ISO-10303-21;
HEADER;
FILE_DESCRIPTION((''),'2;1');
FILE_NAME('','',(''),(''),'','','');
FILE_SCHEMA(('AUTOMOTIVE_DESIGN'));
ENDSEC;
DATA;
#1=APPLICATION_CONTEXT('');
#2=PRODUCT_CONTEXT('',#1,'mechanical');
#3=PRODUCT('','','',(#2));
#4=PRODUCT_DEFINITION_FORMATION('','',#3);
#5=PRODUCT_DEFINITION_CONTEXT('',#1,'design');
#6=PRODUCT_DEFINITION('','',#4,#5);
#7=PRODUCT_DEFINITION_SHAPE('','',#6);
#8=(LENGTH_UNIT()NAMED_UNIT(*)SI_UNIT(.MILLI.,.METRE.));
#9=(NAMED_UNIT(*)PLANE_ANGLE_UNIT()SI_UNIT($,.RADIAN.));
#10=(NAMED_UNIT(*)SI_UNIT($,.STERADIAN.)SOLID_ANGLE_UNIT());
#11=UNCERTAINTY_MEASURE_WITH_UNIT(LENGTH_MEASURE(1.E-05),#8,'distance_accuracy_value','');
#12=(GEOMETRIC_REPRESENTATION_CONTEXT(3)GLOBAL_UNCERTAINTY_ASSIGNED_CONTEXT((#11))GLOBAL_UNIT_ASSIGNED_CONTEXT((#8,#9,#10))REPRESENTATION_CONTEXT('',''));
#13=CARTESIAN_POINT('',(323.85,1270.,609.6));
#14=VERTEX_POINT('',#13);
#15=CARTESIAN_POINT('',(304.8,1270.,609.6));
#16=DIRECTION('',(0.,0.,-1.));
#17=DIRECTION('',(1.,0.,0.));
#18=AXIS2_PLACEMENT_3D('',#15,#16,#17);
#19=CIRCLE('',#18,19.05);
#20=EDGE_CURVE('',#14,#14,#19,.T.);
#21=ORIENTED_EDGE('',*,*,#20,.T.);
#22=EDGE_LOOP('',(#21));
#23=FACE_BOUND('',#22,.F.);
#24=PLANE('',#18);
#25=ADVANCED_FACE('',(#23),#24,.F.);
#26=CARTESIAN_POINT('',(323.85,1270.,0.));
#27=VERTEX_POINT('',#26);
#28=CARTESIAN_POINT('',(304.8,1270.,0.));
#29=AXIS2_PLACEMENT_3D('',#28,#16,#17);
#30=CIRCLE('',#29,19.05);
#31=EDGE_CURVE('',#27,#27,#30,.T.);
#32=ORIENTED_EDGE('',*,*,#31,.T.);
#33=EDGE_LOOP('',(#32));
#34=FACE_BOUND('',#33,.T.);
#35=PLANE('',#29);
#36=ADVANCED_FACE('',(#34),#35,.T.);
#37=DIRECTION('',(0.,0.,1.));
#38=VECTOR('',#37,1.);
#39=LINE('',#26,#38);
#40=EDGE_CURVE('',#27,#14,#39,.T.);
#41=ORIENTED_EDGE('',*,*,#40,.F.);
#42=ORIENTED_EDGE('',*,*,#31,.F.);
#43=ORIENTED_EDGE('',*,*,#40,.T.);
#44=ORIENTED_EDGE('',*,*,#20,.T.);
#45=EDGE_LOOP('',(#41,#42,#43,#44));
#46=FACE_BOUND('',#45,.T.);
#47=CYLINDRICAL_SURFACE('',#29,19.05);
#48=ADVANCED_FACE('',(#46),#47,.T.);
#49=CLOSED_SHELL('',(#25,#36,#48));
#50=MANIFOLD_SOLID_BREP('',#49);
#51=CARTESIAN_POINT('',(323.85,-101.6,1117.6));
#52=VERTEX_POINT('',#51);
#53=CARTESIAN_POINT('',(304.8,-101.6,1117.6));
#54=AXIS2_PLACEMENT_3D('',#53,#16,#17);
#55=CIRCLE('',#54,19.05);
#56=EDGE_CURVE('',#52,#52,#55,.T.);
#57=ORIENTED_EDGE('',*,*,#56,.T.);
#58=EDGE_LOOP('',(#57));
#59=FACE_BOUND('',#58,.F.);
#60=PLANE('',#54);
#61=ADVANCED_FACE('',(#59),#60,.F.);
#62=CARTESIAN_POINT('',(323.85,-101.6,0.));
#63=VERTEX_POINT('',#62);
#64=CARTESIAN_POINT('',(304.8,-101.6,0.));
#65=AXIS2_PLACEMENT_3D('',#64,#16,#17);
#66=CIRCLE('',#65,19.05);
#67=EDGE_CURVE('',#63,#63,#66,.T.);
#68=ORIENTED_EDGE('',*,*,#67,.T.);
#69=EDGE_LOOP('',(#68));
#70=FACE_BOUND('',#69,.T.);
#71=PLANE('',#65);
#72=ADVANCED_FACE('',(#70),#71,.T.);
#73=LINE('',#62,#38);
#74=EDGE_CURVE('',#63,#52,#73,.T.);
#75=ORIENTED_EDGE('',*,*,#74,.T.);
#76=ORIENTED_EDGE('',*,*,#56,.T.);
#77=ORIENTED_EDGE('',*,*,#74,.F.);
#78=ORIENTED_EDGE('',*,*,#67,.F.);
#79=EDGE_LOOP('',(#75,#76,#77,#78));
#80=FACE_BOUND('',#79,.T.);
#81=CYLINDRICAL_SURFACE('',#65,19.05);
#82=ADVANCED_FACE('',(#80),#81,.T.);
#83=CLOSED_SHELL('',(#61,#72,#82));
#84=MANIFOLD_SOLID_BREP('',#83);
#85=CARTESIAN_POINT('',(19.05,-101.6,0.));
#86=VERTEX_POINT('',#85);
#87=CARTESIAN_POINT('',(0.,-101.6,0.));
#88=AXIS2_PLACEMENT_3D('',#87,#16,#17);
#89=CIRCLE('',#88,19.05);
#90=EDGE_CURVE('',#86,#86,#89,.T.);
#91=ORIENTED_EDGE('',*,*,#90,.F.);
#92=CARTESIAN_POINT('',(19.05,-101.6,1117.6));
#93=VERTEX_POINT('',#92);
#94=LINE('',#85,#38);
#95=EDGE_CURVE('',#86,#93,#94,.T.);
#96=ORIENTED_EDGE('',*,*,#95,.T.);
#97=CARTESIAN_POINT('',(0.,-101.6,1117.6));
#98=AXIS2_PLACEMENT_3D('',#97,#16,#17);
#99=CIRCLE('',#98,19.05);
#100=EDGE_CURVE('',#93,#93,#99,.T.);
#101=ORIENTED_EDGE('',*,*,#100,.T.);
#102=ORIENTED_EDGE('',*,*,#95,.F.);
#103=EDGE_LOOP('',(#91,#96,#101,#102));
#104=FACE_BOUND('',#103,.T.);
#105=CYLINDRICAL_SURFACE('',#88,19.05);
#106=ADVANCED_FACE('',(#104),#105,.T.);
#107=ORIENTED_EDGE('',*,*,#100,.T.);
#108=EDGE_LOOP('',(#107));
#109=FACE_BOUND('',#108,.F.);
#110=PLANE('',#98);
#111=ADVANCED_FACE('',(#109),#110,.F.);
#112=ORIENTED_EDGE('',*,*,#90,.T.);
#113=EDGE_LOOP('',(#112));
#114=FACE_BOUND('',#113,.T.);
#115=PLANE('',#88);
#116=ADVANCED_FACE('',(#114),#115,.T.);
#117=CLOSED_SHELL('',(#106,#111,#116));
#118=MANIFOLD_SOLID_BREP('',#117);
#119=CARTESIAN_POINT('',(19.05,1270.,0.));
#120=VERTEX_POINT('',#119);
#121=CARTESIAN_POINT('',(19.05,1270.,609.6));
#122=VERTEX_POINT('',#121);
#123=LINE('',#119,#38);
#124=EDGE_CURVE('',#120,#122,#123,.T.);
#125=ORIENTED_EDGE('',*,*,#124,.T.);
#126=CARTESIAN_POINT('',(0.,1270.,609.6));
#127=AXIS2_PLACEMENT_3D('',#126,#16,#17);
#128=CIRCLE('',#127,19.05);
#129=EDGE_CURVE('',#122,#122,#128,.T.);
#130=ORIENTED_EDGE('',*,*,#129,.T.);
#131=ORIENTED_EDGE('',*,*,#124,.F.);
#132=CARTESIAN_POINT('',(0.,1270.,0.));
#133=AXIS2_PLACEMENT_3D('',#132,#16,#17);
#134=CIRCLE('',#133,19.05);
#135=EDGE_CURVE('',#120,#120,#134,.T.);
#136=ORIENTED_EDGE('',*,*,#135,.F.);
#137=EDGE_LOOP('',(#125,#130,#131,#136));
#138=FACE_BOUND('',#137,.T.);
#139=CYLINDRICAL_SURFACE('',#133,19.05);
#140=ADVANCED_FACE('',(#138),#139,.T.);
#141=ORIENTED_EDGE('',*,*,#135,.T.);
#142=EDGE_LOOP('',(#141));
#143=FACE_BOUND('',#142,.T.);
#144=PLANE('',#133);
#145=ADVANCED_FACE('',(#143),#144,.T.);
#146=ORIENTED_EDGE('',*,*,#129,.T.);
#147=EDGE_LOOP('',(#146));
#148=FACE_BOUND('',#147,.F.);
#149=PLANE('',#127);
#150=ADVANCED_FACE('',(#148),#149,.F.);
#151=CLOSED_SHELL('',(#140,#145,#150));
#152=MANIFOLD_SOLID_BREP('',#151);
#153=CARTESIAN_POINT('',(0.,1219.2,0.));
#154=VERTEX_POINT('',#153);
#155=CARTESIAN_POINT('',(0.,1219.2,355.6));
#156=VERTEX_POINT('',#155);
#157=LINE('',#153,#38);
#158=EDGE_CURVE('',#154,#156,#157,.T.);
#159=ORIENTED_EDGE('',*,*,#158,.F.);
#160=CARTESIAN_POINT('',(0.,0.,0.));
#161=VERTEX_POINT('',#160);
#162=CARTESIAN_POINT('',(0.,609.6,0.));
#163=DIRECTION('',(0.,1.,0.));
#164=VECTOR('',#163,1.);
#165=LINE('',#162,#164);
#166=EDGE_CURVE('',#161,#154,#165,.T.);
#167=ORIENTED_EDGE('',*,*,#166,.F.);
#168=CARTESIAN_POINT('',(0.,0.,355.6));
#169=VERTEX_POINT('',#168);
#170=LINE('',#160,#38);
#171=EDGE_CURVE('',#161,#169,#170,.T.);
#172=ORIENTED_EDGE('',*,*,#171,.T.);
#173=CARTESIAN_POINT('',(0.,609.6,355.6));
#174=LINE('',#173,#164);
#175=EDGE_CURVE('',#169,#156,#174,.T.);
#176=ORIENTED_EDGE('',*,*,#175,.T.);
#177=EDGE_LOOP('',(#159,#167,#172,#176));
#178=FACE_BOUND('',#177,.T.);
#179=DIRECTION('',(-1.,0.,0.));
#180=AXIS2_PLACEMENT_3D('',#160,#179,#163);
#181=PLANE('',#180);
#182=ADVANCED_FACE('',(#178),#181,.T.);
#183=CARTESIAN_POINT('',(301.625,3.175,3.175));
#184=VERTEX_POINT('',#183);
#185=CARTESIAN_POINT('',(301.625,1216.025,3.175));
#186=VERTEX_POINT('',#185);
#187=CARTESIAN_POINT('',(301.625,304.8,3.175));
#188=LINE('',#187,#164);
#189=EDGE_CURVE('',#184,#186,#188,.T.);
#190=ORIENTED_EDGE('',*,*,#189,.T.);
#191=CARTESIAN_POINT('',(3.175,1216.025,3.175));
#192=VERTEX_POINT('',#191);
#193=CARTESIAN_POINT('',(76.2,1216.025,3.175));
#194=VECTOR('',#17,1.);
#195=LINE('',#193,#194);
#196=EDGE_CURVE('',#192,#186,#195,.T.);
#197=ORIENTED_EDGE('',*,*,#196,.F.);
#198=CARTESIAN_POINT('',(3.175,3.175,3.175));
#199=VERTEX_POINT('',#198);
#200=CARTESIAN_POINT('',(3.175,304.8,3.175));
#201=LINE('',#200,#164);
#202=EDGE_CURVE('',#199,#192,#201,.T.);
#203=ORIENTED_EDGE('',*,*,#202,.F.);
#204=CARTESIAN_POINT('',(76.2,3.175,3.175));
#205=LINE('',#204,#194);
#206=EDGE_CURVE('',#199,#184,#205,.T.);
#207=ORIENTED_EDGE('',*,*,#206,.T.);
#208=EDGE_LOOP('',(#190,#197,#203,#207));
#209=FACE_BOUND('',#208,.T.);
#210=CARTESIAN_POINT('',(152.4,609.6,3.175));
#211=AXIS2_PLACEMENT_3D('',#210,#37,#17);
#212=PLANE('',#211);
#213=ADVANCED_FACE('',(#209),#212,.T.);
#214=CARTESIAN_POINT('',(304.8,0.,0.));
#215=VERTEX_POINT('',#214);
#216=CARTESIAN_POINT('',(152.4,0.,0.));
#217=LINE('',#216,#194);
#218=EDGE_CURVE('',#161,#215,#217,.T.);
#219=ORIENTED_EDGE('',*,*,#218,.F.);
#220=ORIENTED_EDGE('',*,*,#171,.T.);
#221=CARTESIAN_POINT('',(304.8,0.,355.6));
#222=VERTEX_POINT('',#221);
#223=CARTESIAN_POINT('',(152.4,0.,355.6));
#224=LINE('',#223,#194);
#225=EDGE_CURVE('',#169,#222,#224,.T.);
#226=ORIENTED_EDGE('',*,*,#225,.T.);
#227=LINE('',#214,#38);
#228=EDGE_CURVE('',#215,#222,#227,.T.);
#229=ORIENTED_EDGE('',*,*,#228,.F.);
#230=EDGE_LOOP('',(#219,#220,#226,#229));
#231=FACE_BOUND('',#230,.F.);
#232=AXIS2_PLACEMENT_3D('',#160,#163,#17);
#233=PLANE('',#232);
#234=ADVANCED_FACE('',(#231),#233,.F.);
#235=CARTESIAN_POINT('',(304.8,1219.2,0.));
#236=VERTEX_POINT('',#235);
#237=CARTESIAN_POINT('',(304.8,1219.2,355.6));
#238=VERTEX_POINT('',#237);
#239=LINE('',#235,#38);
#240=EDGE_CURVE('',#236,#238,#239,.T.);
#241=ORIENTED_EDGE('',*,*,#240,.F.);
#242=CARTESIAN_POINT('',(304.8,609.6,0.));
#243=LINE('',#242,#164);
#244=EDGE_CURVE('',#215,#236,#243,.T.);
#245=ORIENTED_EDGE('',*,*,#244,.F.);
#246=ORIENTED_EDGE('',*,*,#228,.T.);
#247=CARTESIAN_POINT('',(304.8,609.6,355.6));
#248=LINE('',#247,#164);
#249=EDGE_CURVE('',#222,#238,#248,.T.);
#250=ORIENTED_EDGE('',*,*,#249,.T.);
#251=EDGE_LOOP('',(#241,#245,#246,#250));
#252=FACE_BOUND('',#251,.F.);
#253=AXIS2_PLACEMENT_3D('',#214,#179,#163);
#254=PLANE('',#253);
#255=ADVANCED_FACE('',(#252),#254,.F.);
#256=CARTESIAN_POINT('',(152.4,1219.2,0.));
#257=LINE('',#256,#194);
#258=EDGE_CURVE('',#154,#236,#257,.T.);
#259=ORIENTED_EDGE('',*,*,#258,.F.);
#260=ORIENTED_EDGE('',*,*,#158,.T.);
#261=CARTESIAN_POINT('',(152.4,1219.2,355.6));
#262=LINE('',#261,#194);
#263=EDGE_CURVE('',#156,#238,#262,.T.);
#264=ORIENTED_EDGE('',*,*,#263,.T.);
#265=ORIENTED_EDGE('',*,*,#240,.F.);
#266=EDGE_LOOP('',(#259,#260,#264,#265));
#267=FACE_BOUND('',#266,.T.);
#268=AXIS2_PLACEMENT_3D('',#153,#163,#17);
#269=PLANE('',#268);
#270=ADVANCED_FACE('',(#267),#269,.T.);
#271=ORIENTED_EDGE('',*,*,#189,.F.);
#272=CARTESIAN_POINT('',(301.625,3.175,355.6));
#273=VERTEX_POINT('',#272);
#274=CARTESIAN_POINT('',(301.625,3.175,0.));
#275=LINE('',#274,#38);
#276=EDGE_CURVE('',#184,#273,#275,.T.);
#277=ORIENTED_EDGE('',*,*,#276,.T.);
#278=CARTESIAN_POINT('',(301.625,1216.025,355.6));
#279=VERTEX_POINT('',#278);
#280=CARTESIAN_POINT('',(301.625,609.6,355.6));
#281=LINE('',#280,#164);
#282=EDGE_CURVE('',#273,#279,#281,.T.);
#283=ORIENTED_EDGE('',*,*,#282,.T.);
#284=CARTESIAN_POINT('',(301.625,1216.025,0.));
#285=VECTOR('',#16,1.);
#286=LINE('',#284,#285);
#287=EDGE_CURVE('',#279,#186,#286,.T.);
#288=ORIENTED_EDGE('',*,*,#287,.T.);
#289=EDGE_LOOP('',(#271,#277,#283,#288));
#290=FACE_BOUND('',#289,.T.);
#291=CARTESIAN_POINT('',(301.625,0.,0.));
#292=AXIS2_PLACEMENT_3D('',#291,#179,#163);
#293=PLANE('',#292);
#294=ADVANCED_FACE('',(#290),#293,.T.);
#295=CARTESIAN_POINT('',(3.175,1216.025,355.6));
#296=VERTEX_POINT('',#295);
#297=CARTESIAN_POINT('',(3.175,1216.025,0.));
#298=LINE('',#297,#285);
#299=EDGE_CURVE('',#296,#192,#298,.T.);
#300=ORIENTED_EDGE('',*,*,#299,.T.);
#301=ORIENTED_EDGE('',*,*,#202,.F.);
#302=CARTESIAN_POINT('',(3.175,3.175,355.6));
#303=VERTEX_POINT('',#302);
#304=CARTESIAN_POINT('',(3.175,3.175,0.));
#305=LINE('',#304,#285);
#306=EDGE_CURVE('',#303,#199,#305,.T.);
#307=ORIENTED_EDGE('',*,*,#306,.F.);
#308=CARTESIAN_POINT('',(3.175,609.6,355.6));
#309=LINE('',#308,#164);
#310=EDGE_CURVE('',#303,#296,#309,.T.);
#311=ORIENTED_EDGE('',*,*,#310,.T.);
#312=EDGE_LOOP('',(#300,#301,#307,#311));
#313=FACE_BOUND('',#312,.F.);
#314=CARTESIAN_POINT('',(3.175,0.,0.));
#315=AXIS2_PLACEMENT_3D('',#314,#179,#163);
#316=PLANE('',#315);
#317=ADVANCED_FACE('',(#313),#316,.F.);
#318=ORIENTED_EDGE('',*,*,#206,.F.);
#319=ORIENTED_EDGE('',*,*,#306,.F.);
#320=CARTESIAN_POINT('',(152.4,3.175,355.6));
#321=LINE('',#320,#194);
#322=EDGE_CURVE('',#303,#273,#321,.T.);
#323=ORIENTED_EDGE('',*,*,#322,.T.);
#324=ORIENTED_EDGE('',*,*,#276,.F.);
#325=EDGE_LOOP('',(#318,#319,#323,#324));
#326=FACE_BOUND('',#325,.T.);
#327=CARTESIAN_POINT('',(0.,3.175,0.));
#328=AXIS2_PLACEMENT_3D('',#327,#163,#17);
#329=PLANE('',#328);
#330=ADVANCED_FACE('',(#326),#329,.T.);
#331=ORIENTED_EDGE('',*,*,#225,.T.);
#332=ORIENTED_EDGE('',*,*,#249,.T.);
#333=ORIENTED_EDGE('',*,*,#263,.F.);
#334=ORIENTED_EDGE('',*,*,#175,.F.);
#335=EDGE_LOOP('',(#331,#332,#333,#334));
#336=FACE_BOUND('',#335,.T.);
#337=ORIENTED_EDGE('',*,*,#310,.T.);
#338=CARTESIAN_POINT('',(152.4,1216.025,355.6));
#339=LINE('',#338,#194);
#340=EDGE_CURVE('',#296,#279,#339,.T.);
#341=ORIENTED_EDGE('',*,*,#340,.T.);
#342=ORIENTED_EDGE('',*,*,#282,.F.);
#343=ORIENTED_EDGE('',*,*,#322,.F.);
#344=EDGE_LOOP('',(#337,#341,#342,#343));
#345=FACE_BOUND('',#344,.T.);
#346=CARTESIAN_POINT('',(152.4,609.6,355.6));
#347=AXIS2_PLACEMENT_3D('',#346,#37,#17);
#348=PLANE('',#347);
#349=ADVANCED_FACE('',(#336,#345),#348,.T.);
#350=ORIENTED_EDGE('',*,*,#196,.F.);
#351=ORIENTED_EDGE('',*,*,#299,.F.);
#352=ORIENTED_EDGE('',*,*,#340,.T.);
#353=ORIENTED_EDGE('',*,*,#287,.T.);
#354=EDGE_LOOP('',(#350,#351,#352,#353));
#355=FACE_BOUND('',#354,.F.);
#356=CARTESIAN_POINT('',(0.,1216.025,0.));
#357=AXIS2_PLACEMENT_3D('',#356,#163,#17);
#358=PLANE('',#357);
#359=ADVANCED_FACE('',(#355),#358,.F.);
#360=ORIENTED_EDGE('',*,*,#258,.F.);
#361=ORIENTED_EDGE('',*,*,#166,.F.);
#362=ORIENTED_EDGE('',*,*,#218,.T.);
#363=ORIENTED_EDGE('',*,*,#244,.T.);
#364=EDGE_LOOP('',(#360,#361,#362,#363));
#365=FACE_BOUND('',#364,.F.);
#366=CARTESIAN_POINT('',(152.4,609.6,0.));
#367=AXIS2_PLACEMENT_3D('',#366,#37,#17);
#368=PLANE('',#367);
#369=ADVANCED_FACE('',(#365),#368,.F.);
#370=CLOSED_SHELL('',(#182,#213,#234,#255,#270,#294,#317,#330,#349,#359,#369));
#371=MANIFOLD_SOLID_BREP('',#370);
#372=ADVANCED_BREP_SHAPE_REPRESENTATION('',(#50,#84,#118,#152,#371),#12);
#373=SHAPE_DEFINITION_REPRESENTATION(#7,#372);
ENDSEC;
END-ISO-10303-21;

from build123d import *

# Parameters (mm, degrees)
F0_W     = 304.8
F0_H     = 1219.2
F1_DEPTH = 355.6
F2_T     = -3.175
F3_R     = 19.05
F4_DEPTH = 1117.6
F5_R     = 19.05
F6_DEPTH = 609.6


with BuildPart() as f1:
    # F0 (on Top) → F1 (new body)
    with BuildSketch(Plane.XY):
        with Locations((152.4, 609.6)):
            Rectangle(F0_W, F0_H)
    extrude(amount=F1_DEPTH)

    # F2
    f2_openings = [f1.faces().sort_by_distance(p)[0] for p in [
        (152.4, 609.6, 355.6),
    ]]
    offset(amount=F2_T, openings=f2_openings)


with BuildPart() as f4:
    # F3 (on face) → F4 (new body)
    with BuildSketch(Plane(origin=(0, 0, 0), x_dir=(1, 0, 0), z_dir=(0, 0, -1))):
        with Locations((0, 101.6)):
            Circle(F3_R)
        with Locations((304.8, 101.6)):
            Circle(F3_R)
    extrude(amount=-F4_DEPTH)


with BuildPart() as f6:
    # F5 (on face) → F6 (new body)
    with BuildSketch(Plane(origin=(0, 0, 0), x_dir=(1, 0, 0), z_dir=(0, 0, -1))):
        with Locations((0, -1270)):
            Circle(F5_R)
        with Locations((304.8, -1270)):
            Circle(F5_R)
    extrude(amount=-F6_DEPTH)


solid = Compound([f1.part, f4.part, f6.part])
